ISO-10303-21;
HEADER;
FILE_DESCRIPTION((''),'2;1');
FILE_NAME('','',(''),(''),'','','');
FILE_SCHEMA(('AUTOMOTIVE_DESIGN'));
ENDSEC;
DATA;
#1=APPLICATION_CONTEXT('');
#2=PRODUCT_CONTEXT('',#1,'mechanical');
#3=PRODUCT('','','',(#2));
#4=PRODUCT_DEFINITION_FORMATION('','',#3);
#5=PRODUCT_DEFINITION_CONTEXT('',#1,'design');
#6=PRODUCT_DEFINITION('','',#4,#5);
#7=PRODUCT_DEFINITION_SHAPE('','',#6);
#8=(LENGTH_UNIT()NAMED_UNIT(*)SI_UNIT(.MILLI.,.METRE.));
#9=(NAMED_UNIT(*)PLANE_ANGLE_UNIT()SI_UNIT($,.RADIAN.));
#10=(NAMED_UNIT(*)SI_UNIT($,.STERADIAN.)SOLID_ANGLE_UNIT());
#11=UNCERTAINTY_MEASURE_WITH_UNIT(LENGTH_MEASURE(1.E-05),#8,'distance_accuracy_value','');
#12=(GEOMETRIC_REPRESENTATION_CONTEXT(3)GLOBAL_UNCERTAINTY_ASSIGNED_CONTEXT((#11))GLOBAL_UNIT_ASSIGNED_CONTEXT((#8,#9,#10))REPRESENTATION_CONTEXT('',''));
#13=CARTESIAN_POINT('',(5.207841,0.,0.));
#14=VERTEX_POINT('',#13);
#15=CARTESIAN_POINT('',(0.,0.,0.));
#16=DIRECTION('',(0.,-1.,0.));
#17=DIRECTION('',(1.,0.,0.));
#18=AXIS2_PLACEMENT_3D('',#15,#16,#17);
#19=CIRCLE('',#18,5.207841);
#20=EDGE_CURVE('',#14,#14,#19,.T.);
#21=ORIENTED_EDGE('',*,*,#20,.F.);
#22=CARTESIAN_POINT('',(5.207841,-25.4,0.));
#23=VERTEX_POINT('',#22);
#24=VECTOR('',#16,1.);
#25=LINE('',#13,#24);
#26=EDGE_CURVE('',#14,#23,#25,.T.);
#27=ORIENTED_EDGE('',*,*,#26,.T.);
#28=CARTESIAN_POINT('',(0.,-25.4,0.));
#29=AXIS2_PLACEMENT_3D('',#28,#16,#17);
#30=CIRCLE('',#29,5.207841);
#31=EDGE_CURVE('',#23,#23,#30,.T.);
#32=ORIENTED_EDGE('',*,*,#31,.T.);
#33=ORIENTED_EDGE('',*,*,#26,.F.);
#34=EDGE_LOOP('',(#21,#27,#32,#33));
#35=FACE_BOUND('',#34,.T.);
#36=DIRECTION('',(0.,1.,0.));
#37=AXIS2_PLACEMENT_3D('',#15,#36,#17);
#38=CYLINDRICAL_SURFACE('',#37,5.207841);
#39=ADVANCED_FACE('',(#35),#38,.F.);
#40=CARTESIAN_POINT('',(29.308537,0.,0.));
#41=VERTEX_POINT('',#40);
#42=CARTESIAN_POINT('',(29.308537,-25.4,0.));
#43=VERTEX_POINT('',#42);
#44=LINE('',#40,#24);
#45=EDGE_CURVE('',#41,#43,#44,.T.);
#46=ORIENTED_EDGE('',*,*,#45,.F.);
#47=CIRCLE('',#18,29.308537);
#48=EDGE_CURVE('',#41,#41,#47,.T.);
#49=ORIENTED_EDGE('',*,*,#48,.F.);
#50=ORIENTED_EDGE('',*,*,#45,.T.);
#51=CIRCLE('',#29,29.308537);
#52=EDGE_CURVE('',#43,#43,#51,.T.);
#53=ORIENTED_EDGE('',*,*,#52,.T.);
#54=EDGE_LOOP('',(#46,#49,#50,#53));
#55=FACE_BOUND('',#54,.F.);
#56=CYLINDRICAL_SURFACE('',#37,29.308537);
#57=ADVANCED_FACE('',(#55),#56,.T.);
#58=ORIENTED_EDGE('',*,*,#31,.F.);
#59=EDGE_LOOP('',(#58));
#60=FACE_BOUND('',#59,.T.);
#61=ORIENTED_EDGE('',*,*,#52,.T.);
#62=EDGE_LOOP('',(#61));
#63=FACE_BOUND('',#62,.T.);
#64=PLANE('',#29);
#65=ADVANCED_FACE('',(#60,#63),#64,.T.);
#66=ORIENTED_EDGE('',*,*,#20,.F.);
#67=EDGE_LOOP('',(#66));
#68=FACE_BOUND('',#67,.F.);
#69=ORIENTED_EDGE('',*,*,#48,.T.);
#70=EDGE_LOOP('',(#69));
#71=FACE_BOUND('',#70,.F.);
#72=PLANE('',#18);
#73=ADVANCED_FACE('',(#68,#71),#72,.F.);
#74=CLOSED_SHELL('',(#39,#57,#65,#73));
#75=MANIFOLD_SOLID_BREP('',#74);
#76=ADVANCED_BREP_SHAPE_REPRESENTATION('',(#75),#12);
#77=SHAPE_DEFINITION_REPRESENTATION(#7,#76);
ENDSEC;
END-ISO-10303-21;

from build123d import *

# Parameters (mm, degrees)
F1_R     = 29.308537
F1_R_2   = 5.207841
F2_DEPTH = 25.4


with BuildPart() as f2:
    # F1 (on face) → F2 (new body)
    with BuildSketch(Plane.XZ):
        Circle(F1_R)
        Circle(F1_R_2, mode=Mode.SUBTRACT)
    extrude(amount=F2_DEPTH)


solid = f2.part
